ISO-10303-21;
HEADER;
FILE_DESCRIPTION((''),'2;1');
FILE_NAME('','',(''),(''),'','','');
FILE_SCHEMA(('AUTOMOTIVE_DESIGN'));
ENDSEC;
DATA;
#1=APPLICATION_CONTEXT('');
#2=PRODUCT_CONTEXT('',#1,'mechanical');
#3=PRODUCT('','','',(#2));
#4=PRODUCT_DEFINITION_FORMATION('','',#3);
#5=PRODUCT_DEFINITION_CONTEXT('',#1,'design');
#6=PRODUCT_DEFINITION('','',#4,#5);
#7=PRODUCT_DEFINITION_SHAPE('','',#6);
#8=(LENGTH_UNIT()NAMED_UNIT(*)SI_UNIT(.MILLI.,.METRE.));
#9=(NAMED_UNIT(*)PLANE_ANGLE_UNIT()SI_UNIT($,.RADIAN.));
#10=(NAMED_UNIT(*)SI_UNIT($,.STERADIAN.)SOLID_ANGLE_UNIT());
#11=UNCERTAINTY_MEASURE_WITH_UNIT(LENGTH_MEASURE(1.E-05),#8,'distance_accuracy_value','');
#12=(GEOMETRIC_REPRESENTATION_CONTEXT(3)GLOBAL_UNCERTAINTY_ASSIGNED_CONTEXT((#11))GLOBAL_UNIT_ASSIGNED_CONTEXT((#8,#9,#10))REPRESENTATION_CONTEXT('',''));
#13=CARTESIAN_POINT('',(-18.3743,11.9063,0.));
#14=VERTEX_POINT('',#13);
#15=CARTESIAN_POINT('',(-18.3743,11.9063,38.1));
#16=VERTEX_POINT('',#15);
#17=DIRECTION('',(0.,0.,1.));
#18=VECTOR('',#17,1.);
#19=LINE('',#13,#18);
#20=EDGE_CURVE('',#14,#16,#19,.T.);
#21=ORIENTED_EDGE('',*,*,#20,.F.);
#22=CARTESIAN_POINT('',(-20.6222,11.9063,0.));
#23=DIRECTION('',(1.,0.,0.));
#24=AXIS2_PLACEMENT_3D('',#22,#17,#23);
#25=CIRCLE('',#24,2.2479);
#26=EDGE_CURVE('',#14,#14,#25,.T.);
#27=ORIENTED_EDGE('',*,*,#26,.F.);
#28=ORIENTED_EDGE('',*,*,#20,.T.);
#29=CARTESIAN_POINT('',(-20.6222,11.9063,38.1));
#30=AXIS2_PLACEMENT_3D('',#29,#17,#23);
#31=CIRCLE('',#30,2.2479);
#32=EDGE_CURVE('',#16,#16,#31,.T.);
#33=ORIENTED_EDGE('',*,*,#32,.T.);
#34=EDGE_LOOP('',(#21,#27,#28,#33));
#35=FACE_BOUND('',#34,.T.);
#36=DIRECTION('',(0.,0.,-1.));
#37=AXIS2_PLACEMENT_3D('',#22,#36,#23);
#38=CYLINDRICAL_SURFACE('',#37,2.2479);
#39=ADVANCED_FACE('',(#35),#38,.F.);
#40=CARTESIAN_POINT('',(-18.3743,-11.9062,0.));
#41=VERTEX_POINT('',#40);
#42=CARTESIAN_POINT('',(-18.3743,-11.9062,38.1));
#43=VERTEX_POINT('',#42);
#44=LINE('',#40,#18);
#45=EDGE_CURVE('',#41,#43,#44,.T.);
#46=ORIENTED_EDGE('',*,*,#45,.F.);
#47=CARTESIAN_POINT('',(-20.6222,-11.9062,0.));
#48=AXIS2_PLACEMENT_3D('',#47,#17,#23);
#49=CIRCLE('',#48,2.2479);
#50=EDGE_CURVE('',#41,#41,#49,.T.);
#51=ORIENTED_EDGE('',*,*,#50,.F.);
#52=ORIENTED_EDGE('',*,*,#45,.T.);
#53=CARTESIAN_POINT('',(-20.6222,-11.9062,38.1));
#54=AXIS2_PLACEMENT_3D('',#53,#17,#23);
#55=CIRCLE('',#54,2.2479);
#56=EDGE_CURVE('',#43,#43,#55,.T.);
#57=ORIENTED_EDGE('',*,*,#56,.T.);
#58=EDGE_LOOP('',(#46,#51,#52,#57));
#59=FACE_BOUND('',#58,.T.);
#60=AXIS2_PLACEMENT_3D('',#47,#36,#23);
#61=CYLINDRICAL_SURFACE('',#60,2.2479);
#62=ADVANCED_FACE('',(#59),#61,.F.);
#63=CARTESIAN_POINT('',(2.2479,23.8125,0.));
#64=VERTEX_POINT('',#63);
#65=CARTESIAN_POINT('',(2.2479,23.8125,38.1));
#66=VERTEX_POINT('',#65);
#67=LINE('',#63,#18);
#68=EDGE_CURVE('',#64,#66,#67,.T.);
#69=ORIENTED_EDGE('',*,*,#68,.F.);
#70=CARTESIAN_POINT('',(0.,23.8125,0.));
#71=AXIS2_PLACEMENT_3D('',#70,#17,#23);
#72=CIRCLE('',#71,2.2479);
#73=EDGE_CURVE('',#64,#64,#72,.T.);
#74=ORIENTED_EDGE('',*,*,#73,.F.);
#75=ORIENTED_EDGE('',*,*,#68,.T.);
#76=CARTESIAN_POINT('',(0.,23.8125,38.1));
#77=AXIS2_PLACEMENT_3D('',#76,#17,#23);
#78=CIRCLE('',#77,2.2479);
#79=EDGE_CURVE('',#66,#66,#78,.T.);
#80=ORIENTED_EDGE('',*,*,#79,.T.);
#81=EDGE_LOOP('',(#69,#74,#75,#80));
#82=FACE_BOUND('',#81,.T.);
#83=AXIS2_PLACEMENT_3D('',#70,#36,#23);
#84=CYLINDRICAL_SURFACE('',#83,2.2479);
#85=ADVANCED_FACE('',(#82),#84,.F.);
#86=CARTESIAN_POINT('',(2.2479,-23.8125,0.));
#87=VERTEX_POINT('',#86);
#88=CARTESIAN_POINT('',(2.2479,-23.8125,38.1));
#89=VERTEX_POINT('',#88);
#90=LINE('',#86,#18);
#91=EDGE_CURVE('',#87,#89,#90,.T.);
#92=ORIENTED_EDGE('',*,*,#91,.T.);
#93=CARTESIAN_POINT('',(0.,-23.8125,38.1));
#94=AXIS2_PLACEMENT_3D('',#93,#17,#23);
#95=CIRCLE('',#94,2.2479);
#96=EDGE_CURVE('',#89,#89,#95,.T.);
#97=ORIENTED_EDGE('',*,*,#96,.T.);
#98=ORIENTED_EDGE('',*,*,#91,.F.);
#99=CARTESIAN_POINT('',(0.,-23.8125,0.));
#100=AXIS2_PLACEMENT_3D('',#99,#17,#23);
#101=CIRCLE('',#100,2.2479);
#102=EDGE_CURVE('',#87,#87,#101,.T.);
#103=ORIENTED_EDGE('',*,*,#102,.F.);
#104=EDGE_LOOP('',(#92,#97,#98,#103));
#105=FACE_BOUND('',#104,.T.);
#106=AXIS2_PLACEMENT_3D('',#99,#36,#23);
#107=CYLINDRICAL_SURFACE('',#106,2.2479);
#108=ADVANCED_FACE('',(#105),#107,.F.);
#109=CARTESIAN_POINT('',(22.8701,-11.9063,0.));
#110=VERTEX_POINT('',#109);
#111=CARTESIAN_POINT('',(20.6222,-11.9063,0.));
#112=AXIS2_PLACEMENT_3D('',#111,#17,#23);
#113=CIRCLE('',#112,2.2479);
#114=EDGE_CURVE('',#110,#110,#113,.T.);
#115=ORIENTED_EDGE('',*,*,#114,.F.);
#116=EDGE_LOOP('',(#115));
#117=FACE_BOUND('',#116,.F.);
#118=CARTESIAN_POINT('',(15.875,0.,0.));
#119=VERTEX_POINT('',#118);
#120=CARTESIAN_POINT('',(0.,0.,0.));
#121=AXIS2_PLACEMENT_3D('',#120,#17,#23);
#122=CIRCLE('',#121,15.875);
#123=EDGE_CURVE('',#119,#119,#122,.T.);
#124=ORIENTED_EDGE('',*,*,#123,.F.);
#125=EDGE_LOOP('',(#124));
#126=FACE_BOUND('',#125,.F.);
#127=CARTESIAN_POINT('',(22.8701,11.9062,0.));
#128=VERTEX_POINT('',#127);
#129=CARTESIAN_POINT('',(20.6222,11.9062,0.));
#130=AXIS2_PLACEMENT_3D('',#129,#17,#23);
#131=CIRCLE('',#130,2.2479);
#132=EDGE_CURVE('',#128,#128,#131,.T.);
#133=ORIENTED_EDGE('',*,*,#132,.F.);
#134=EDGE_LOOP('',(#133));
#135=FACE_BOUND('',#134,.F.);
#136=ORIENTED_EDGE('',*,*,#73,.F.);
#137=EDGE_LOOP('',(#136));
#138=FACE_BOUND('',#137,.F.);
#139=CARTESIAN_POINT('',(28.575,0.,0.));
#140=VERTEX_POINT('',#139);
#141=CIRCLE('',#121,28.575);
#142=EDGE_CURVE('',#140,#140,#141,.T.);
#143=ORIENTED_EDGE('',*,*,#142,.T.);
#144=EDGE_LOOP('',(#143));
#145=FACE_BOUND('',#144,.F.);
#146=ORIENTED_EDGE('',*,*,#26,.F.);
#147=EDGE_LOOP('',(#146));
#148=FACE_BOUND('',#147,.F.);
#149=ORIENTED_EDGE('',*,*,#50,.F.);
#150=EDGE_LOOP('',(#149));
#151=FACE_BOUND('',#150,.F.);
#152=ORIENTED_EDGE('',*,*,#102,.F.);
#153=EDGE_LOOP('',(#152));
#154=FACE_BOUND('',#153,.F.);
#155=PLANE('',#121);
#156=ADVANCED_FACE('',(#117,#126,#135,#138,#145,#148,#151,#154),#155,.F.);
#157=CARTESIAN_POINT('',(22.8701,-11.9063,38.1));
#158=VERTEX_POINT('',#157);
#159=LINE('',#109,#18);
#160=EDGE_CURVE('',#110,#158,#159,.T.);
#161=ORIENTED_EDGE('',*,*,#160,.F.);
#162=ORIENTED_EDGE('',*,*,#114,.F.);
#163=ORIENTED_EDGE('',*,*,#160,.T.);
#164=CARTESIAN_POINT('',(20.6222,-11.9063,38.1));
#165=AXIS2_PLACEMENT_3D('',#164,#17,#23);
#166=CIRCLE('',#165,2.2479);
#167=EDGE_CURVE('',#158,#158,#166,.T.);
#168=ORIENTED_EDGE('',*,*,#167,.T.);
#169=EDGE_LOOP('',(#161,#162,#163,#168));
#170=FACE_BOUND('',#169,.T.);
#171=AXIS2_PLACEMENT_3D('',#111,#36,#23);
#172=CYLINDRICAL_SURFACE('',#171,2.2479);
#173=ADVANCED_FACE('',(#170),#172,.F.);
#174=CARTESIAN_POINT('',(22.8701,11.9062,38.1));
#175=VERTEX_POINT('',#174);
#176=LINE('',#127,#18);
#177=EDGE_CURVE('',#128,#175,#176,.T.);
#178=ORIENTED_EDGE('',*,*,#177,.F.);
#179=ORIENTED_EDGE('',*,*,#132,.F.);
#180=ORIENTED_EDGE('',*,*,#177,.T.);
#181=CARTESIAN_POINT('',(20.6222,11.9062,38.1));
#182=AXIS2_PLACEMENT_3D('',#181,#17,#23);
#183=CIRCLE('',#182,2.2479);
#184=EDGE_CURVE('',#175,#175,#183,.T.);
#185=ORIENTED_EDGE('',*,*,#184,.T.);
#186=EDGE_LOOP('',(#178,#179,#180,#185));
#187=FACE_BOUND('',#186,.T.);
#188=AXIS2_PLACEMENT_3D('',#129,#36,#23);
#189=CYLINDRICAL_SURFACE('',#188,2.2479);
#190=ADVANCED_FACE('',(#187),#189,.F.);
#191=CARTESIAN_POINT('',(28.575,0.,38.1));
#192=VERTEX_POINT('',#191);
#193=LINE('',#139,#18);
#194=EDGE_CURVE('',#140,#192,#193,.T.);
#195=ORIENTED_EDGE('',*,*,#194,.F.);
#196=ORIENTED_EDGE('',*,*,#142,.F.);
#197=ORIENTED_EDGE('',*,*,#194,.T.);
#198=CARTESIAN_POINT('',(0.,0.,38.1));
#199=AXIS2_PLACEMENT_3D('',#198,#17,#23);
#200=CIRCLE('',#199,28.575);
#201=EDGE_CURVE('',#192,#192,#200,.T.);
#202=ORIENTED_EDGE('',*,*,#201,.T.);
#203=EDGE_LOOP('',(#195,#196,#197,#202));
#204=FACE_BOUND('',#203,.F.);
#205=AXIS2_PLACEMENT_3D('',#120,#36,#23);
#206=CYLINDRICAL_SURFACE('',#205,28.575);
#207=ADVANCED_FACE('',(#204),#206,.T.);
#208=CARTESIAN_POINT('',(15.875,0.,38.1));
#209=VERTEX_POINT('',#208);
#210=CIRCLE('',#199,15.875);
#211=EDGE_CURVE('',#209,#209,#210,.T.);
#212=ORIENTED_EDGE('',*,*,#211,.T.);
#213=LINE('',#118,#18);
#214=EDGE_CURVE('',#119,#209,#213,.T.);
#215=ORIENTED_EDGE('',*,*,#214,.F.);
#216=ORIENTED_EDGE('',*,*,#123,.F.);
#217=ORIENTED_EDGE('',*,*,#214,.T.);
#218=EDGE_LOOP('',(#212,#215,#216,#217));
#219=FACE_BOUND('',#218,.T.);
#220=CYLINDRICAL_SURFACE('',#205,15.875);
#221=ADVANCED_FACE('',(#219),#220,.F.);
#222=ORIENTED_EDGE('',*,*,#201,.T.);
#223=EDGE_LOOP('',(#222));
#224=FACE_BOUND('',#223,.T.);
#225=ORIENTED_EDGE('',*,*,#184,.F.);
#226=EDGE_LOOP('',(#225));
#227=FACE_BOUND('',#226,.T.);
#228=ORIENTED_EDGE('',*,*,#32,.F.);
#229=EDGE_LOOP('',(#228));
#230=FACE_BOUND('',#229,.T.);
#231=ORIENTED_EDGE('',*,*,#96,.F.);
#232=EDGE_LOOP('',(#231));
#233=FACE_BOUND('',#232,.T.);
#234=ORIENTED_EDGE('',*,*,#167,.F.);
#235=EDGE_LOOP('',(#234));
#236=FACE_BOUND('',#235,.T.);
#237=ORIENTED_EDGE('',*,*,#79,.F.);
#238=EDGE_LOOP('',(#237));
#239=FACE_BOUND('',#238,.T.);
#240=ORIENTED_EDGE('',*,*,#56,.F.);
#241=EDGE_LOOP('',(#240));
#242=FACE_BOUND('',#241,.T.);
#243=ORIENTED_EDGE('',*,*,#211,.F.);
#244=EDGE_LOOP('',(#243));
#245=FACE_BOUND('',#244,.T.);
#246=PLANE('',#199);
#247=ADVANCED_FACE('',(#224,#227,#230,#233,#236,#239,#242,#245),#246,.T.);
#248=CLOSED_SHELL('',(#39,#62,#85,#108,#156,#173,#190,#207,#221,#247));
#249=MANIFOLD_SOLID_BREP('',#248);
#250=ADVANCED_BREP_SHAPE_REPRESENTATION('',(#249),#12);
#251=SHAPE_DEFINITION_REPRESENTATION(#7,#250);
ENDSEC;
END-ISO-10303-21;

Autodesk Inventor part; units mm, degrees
ref_plane "YZ Plane" through (0, 0, 0) normal (1, 0, 0) x (0, 1, 0)
ref_plane "XZ Plane" through (0, 0, 0) normal (0, 1, 0) x (-1, 0, 0)
ref_plane "XY Plane" through (0, 0, 0) normal (0, 0, 1) x (1, 0, 0)
sketch "Sketch1" plane through (0, 0, 0) normal (0, 0, 1) x (1, 0, 0)
  circle A0 centre (0, 0) radius 15.875
  circle A1 centre (0, 0) radius 23.8125 construction
  circle A2 centre (0, 23.8125) radius 2.2479
  circle A3 centre (-20.6222, 11.9063) radius 2.2479
  circle A4 centre (-20.6222, -11.9062) radius 2.2479
  circle A5 centre (0, -23.8125) radius 2.2479
  circle A6 centre (20.6222, -11.9063) radius 2.2479
  circle A7 centre (20.6222, 11.9062) radius 2.2479
  circle A8 centre (0, 0) radius 28.575
  dimension "d1" = 47.625
  dimension "d0" = 31.75
  dimension "d2" = 4.4958
  dimension "d5" = 360
  dimension "d7" = 57.15
extrude "Extrusion1" add sketch "Sketch1" along normal blind 38.1
properties part number "Spacer Between Wheels V2" material "Polycarbonate, Clear"
